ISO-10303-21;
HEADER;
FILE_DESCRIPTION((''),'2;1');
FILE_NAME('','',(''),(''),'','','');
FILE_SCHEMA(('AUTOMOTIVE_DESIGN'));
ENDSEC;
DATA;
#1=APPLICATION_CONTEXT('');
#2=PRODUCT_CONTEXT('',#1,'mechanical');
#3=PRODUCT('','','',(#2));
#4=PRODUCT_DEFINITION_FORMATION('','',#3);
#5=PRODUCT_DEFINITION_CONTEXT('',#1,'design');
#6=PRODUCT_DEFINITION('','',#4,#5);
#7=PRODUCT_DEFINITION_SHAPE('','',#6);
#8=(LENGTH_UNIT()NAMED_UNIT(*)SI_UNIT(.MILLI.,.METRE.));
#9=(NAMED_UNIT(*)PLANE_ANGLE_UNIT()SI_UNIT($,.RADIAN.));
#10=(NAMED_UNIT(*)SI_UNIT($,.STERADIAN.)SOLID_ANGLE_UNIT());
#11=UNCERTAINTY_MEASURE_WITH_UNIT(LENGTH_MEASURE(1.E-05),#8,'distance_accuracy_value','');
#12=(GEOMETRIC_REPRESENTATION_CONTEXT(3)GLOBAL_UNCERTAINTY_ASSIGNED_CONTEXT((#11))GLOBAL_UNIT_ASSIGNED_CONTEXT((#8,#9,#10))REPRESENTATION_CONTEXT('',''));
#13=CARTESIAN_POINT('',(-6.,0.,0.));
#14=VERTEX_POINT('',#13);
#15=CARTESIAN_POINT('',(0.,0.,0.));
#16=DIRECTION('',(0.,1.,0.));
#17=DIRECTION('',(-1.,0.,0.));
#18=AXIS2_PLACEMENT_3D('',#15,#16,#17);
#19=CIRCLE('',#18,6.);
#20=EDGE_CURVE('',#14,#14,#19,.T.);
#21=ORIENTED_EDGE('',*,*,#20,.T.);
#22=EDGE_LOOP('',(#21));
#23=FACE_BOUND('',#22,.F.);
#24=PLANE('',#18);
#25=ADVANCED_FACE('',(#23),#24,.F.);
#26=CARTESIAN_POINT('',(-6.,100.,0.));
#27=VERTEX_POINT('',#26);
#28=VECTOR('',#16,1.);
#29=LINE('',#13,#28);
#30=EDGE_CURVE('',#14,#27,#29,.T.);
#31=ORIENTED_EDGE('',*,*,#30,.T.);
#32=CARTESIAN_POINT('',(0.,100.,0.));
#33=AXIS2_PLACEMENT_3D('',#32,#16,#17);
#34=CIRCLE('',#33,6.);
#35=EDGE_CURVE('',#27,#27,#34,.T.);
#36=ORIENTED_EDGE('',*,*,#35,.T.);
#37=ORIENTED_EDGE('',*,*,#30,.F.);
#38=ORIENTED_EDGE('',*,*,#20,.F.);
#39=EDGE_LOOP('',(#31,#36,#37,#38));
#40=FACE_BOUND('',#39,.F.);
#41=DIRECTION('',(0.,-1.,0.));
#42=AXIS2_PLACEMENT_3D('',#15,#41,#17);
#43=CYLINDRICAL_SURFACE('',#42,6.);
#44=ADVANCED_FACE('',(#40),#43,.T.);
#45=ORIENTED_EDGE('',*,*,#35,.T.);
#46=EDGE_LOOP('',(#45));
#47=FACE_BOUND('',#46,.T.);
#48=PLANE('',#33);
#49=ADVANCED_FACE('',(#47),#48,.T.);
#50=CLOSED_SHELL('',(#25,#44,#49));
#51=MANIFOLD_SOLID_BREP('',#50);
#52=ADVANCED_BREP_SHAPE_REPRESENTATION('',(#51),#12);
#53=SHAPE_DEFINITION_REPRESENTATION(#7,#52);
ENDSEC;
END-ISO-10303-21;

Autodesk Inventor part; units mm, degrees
ref_plane "YZ Plane" through (0, 0, 0) normal (1, 0, 0) x (0, 1, 0)
ref_plane "XZ Plane" through (0, 0, 0) normal (0, 1, 0) x (-1, 0, 0)
ref_plane "XY Plane" through (0, 0, 0) normal (0, 0, 1) x (1, 0, 0)
sketch "Skizze1" plane through (0, 0, 0) normal (0, 1, 0) x (-1, 0, 0)
  circle A0 centre (0, 0) radius 6
  dimension "d0" = 12
extrude "Extrusion1" add sketch "Skizze1" along normal blind 100
properties part number "Stiel"
